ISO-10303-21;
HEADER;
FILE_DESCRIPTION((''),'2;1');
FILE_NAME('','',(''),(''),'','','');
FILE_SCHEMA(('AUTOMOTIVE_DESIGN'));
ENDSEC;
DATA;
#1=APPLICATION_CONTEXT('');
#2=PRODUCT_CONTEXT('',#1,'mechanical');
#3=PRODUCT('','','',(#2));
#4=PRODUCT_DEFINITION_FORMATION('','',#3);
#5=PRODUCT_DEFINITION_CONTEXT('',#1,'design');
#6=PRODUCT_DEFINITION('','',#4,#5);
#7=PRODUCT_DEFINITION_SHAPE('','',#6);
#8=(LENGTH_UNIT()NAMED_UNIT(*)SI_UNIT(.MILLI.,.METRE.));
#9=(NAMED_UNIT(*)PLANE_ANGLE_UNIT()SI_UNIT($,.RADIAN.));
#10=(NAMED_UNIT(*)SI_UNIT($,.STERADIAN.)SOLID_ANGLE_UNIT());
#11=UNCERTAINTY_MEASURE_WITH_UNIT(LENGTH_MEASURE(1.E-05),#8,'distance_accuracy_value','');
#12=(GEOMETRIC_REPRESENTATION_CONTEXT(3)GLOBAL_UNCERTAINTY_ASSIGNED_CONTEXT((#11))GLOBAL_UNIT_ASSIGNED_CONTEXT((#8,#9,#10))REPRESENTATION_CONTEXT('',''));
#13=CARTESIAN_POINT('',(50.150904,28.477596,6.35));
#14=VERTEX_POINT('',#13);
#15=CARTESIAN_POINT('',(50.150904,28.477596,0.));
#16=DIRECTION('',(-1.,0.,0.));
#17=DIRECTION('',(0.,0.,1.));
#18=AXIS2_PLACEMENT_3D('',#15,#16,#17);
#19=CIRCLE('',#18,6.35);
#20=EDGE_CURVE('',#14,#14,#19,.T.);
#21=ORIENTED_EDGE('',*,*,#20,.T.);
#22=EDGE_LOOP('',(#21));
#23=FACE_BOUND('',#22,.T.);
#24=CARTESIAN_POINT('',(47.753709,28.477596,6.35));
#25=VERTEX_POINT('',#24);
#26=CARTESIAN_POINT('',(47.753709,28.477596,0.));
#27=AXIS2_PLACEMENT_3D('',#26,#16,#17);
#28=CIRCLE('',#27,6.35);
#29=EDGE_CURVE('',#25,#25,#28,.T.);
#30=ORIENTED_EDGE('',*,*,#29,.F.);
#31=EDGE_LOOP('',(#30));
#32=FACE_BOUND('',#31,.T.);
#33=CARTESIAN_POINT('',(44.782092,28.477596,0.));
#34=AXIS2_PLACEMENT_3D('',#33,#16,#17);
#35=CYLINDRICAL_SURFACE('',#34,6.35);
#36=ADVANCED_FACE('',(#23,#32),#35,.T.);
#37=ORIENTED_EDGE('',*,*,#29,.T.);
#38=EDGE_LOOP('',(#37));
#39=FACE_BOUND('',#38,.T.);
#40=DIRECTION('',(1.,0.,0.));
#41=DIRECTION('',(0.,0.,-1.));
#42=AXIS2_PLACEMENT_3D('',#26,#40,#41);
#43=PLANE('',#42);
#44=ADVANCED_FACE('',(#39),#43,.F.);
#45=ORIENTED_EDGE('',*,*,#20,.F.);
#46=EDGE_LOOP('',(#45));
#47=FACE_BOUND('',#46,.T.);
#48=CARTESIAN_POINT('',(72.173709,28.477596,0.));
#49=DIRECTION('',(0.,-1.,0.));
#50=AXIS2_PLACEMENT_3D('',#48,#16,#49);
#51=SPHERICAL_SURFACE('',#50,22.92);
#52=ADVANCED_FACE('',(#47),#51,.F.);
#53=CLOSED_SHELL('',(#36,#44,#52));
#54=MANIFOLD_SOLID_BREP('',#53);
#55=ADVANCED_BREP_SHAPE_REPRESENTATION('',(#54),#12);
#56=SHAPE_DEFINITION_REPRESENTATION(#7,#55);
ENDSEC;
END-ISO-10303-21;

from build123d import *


with BuildPart() as part:
    # 草图1 → 旋转1 (revolve)
    with BuildSketch(Plane.XY, mode=Mode.PRIVATE) as revolve_1_sk:
        with BuildLine():
            Line((47.753708501, 28.477595635), (47.753708501, 34.827595635))
            Line((47.753708501, 34.827595635), (50.150904411, 34.827595635))
            ThreePointArc((50.150904411, 34.827595635), (49.479115866, 31.684130388), (49.253708501, 28.477595635))
            Line((49.253708501, 28.477595635), (47.753708501, 28.477595635))
        make_face()
    revolve(revolve_1_sk.sketch.rotate(Axis((44.782091903, 28.477595635, 0), (1, 0, 0)), 180), axis=Axis((44.782091903, 28.477595635, 0), (1, 0, 0)))  # turned: the seam where the file's is


solid = part.part
